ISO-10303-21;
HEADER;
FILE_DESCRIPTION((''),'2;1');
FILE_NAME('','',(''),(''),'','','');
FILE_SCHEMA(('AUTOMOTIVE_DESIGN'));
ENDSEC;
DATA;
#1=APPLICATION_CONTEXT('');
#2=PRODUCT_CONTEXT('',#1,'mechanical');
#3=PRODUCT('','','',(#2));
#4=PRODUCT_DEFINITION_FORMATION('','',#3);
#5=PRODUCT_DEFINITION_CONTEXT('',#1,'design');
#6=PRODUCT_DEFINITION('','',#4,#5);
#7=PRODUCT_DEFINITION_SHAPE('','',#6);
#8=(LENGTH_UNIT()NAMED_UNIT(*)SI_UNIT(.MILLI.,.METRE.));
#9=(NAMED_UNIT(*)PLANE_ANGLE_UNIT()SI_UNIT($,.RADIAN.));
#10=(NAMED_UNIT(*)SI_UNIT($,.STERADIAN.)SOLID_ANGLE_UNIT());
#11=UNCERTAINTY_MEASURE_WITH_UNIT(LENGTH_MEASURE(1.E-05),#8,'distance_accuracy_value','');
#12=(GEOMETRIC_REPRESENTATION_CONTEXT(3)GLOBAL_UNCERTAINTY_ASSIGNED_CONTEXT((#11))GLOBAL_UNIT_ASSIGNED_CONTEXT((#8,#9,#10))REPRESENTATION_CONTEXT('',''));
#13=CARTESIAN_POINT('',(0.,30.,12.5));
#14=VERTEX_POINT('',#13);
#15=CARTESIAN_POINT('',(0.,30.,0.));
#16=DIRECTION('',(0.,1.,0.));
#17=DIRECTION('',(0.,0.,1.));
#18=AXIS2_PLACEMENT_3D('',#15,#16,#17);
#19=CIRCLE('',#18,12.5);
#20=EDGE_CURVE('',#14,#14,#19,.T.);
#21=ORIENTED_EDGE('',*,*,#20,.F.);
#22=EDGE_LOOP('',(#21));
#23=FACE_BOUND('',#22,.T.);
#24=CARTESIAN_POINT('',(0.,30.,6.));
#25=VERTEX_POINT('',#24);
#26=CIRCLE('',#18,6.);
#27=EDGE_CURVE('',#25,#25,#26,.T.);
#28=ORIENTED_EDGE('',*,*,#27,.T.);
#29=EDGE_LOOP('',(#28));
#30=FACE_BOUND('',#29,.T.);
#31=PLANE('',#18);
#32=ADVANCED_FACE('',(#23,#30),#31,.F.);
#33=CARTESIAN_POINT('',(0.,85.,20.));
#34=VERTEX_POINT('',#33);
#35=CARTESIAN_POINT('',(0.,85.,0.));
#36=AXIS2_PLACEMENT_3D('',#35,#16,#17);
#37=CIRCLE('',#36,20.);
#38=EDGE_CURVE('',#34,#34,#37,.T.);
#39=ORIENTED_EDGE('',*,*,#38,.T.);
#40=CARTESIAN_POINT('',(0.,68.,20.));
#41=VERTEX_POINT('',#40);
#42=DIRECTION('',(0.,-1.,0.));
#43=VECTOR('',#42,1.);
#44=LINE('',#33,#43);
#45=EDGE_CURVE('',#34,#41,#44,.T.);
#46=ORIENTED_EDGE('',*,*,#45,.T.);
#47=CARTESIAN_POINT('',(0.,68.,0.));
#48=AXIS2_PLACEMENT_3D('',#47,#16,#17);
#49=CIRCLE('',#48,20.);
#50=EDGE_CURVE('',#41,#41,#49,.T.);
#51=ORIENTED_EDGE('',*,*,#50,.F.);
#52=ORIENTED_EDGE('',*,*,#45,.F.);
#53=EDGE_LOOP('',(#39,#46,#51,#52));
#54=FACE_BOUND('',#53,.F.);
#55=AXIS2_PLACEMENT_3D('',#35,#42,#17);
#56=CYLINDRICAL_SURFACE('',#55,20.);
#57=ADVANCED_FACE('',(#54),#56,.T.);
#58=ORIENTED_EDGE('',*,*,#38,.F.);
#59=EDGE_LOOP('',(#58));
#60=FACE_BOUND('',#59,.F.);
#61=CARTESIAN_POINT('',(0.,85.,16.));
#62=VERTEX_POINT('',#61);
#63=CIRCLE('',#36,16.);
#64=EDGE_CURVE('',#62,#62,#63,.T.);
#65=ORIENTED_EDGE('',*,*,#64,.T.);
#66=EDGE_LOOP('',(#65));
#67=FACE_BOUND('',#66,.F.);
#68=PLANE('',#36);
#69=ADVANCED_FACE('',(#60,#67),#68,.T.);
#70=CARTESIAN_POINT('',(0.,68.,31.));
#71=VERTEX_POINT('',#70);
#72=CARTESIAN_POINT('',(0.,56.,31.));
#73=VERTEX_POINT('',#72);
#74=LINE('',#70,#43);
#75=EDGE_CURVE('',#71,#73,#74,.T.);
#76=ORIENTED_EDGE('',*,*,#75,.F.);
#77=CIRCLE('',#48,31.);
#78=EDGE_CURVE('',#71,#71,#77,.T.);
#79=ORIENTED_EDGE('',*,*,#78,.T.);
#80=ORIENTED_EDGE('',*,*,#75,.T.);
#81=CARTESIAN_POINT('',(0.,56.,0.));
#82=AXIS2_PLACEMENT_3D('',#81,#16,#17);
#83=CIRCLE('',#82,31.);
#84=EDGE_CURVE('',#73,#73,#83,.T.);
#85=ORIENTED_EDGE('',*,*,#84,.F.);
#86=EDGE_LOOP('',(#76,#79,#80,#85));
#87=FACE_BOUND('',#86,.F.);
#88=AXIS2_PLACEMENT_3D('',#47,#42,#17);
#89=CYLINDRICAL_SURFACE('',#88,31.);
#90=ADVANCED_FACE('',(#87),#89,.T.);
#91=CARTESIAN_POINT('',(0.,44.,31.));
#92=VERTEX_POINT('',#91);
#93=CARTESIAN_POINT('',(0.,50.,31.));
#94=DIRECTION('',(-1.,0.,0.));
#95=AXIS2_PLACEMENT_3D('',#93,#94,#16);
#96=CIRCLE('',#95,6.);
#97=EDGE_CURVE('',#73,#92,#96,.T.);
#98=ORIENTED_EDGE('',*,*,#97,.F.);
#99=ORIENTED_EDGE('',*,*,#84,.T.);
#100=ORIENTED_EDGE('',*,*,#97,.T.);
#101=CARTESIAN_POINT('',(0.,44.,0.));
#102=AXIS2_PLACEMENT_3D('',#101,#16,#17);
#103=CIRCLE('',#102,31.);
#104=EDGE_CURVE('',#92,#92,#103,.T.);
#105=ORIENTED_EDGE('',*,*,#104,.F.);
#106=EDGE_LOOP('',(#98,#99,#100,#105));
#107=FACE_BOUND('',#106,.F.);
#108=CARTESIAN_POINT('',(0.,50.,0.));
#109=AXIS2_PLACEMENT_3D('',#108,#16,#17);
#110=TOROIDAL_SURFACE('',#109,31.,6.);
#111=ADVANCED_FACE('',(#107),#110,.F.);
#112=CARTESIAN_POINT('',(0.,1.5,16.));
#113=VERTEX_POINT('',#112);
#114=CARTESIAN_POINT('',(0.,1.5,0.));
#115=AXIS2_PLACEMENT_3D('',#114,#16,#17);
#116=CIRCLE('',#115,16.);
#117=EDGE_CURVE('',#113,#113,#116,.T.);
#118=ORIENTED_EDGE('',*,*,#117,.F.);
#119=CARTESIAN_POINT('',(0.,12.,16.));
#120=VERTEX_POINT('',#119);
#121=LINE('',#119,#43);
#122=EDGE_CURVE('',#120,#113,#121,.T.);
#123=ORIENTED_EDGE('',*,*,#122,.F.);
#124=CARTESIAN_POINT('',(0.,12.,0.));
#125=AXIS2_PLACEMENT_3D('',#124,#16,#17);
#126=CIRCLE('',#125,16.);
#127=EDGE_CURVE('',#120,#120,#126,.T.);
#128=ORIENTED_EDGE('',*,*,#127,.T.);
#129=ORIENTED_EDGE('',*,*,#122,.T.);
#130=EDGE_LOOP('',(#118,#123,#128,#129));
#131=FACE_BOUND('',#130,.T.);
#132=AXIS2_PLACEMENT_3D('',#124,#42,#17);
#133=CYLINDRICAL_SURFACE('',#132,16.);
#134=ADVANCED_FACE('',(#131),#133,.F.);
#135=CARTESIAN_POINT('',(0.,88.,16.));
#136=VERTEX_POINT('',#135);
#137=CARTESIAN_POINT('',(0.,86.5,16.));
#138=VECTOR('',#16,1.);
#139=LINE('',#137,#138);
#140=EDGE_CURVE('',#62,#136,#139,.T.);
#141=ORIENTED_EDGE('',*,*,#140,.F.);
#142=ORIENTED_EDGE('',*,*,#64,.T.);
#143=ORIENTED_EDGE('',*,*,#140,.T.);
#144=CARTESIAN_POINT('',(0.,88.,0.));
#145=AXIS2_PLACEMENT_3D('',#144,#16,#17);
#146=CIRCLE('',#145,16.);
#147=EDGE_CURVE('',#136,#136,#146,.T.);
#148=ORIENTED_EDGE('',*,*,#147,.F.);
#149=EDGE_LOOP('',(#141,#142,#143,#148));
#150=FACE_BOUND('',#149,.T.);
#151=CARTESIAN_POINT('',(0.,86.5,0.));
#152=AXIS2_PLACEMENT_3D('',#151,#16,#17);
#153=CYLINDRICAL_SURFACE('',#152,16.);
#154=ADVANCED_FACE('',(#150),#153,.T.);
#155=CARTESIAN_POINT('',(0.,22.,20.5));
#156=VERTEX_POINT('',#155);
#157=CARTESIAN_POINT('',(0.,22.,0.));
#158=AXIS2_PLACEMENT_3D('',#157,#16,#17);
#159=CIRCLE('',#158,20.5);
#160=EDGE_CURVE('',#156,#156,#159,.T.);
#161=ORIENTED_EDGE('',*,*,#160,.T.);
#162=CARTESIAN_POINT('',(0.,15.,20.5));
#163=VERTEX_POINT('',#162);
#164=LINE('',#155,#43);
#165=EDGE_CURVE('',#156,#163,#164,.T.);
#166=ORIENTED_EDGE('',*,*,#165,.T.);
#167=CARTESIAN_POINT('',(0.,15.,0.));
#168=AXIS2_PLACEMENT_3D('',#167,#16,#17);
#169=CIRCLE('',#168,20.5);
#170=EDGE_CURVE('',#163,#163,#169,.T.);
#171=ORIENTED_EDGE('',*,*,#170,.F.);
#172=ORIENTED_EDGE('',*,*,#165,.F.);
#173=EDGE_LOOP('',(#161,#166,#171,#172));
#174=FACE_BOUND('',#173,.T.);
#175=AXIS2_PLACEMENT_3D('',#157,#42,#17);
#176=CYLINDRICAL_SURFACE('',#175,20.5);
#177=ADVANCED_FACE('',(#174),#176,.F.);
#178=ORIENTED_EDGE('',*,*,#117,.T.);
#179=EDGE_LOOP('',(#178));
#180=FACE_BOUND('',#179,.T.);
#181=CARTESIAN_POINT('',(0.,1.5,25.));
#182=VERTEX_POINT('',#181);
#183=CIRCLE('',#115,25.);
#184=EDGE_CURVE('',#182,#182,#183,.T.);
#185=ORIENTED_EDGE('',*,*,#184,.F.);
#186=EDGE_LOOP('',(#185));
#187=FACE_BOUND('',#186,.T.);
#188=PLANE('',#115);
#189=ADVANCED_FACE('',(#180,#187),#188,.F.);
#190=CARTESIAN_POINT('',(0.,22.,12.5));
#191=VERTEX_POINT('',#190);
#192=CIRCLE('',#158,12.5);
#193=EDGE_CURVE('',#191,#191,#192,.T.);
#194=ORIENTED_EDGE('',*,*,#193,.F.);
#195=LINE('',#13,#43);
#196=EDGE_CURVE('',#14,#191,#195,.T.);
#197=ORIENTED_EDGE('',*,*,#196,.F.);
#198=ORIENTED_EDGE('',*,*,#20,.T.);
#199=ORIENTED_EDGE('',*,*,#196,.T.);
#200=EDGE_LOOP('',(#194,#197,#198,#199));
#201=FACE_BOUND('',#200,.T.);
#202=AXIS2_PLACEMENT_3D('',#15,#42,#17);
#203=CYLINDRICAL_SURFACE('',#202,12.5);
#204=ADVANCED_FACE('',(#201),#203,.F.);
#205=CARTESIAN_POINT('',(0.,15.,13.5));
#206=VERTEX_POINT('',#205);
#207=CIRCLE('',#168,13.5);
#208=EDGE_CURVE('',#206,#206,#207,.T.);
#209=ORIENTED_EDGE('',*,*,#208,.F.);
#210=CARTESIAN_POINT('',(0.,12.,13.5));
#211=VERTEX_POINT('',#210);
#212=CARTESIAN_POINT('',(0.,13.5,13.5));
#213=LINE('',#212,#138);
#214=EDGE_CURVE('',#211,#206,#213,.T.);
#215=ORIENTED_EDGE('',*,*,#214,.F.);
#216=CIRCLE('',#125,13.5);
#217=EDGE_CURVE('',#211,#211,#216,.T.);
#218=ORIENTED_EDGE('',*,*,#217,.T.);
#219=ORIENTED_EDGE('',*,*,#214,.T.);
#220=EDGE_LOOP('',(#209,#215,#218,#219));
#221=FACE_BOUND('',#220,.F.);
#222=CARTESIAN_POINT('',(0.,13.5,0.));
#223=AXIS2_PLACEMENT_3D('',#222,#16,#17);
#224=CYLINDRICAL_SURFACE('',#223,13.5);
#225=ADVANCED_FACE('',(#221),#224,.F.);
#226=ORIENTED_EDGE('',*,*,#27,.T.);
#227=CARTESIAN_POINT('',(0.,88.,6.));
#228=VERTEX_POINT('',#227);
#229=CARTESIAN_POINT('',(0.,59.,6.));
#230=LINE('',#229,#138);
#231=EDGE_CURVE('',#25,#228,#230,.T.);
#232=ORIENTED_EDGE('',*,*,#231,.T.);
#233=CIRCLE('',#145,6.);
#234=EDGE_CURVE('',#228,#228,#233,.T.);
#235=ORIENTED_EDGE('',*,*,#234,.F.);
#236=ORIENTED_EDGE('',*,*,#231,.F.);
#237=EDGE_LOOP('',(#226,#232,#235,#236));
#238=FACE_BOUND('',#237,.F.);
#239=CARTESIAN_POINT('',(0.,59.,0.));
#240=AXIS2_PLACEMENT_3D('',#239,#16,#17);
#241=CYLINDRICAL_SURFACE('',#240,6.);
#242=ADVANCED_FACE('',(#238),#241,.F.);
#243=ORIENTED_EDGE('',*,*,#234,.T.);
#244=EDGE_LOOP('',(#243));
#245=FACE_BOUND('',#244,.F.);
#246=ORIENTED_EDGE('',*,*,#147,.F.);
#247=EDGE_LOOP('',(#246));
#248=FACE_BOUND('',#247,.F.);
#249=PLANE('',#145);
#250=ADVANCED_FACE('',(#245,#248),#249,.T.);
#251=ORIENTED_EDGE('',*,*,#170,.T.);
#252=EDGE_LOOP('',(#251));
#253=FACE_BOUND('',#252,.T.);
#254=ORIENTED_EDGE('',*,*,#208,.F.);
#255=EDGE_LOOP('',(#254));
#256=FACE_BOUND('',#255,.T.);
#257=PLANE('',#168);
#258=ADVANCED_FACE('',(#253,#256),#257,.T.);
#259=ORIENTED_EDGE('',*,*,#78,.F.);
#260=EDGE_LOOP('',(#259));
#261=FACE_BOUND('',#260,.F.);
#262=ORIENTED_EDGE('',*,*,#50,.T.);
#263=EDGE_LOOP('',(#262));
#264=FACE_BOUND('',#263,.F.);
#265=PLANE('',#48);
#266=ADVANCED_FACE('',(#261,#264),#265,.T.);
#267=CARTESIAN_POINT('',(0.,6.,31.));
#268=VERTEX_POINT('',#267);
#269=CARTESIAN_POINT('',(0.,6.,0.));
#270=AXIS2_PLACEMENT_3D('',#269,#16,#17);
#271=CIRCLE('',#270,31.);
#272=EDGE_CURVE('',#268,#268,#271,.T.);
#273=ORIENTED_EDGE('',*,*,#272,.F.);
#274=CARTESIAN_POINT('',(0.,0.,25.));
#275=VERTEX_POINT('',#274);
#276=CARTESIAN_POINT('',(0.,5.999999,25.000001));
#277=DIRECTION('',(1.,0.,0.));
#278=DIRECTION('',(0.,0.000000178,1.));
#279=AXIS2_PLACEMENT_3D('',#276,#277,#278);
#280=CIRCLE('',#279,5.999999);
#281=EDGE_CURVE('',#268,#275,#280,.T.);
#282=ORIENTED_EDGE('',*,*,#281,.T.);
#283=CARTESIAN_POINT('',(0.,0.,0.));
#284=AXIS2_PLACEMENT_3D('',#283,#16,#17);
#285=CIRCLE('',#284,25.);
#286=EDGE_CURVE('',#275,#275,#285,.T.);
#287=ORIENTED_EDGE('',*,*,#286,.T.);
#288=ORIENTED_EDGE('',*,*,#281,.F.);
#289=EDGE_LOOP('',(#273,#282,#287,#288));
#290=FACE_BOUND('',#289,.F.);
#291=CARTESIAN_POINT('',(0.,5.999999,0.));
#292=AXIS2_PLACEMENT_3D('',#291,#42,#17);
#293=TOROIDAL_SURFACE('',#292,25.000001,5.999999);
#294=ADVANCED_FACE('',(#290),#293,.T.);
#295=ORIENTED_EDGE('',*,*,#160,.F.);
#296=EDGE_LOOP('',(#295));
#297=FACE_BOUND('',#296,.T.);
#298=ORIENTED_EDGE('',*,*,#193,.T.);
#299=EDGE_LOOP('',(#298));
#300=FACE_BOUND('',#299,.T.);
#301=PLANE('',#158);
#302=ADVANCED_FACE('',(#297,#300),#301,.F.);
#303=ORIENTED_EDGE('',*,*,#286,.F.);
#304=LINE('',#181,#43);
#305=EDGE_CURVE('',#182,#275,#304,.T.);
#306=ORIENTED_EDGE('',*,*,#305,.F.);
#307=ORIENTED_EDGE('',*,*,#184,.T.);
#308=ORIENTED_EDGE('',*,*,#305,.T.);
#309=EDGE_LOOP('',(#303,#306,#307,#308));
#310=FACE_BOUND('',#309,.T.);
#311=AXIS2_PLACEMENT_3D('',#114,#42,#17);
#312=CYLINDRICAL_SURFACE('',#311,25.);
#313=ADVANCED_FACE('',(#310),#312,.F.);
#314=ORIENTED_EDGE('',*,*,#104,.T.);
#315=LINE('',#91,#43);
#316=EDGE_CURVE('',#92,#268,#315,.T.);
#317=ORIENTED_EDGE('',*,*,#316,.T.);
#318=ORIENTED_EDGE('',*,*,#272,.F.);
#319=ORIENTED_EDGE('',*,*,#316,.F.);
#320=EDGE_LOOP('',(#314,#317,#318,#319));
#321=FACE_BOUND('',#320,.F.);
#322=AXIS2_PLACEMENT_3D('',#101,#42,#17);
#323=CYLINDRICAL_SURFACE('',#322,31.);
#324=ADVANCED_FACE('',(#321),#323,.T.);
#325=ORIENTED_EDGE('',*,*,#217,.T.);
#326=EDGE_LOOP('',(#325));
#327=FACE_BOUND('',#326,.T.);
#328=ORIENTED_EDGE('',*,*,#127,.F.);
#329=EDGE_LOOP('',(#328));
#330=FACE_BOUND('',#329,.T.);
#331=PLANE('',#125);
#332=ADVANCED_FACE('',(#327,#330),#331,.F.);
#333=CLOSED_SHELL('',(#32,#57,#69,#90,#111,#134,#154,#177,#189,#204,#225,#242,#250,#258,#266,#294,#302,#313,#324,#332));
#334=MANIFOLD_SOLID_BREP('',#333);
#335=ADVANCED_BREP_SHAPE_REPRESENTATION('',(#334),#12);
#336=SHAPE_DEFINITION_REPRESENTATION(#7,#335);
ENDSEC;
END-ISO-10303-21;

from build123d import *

# Parameters (mm, degrees)
F0_W   = 3
F0_H   = 16
F2_W   = 3
F2_H   = 13.5
F2_W_2 = 58
F2_H_2 = 6


with BuildPart() as f1:
    # F0 (on Right) → F1 (revolve)
    with BuildSketch(Plane.YZ):
        with BuildLine():
            Line((0, 25), (0, 0))
            Line((0, 0), (68, 0))
            Line((68, 0), (68, 20))
            Line((68, 20), (68, 31))
            Line((68, 31), (56, 31))
            ThreePointArc((56, 31), (50, 25), (44, 31))
            Line((44, 31), (6, 31))
            ThreePointArc((6, 31), (1.757359, 29.242641), (0, 25))
        make_face()
        Polygon((68, 20), (68, 0), (85, 0), (85, 16), (85, 20), align=None)
        with Locations((86.5, 8)):
            Rectangle(F0_W, F0_H)
    revolve(axis=Axis((0, 64.360574, 0), (0, 1, 0)))

    # F2 (on Right) → F3 (revolve, cut)
    with BuildSketch(Plane.YZ):
        Polygon((0, 25), (0, 0), (1.5, 0), (1.5, 16), (1.5, 25), align=None)
        Polygon((1.5, 16), (1.5, 0), (12, 0), (12, 13.5), (12, 16), align=None)
        with Locations((13.5, 6.75)):
            Rectangle(F2_W, F2_H)
        Polygon((15, 13.5), (15, 0), (22, 0), (22, 12.5), (22, 20.5), (15, 20.5), align=None)
        Polygon((22, 12.5), (22, 0), (30, 0), (30, 6), (30, 12.5), align=None)
        with Locations((59, 3)):
            Rectangle(F2_W_2, F2_H_2)
    revolve(axis=Axis((0, 48.310831, 0), (0, 1, 0)), mode=Mode.SUBTRACT)


solid = f1.part
